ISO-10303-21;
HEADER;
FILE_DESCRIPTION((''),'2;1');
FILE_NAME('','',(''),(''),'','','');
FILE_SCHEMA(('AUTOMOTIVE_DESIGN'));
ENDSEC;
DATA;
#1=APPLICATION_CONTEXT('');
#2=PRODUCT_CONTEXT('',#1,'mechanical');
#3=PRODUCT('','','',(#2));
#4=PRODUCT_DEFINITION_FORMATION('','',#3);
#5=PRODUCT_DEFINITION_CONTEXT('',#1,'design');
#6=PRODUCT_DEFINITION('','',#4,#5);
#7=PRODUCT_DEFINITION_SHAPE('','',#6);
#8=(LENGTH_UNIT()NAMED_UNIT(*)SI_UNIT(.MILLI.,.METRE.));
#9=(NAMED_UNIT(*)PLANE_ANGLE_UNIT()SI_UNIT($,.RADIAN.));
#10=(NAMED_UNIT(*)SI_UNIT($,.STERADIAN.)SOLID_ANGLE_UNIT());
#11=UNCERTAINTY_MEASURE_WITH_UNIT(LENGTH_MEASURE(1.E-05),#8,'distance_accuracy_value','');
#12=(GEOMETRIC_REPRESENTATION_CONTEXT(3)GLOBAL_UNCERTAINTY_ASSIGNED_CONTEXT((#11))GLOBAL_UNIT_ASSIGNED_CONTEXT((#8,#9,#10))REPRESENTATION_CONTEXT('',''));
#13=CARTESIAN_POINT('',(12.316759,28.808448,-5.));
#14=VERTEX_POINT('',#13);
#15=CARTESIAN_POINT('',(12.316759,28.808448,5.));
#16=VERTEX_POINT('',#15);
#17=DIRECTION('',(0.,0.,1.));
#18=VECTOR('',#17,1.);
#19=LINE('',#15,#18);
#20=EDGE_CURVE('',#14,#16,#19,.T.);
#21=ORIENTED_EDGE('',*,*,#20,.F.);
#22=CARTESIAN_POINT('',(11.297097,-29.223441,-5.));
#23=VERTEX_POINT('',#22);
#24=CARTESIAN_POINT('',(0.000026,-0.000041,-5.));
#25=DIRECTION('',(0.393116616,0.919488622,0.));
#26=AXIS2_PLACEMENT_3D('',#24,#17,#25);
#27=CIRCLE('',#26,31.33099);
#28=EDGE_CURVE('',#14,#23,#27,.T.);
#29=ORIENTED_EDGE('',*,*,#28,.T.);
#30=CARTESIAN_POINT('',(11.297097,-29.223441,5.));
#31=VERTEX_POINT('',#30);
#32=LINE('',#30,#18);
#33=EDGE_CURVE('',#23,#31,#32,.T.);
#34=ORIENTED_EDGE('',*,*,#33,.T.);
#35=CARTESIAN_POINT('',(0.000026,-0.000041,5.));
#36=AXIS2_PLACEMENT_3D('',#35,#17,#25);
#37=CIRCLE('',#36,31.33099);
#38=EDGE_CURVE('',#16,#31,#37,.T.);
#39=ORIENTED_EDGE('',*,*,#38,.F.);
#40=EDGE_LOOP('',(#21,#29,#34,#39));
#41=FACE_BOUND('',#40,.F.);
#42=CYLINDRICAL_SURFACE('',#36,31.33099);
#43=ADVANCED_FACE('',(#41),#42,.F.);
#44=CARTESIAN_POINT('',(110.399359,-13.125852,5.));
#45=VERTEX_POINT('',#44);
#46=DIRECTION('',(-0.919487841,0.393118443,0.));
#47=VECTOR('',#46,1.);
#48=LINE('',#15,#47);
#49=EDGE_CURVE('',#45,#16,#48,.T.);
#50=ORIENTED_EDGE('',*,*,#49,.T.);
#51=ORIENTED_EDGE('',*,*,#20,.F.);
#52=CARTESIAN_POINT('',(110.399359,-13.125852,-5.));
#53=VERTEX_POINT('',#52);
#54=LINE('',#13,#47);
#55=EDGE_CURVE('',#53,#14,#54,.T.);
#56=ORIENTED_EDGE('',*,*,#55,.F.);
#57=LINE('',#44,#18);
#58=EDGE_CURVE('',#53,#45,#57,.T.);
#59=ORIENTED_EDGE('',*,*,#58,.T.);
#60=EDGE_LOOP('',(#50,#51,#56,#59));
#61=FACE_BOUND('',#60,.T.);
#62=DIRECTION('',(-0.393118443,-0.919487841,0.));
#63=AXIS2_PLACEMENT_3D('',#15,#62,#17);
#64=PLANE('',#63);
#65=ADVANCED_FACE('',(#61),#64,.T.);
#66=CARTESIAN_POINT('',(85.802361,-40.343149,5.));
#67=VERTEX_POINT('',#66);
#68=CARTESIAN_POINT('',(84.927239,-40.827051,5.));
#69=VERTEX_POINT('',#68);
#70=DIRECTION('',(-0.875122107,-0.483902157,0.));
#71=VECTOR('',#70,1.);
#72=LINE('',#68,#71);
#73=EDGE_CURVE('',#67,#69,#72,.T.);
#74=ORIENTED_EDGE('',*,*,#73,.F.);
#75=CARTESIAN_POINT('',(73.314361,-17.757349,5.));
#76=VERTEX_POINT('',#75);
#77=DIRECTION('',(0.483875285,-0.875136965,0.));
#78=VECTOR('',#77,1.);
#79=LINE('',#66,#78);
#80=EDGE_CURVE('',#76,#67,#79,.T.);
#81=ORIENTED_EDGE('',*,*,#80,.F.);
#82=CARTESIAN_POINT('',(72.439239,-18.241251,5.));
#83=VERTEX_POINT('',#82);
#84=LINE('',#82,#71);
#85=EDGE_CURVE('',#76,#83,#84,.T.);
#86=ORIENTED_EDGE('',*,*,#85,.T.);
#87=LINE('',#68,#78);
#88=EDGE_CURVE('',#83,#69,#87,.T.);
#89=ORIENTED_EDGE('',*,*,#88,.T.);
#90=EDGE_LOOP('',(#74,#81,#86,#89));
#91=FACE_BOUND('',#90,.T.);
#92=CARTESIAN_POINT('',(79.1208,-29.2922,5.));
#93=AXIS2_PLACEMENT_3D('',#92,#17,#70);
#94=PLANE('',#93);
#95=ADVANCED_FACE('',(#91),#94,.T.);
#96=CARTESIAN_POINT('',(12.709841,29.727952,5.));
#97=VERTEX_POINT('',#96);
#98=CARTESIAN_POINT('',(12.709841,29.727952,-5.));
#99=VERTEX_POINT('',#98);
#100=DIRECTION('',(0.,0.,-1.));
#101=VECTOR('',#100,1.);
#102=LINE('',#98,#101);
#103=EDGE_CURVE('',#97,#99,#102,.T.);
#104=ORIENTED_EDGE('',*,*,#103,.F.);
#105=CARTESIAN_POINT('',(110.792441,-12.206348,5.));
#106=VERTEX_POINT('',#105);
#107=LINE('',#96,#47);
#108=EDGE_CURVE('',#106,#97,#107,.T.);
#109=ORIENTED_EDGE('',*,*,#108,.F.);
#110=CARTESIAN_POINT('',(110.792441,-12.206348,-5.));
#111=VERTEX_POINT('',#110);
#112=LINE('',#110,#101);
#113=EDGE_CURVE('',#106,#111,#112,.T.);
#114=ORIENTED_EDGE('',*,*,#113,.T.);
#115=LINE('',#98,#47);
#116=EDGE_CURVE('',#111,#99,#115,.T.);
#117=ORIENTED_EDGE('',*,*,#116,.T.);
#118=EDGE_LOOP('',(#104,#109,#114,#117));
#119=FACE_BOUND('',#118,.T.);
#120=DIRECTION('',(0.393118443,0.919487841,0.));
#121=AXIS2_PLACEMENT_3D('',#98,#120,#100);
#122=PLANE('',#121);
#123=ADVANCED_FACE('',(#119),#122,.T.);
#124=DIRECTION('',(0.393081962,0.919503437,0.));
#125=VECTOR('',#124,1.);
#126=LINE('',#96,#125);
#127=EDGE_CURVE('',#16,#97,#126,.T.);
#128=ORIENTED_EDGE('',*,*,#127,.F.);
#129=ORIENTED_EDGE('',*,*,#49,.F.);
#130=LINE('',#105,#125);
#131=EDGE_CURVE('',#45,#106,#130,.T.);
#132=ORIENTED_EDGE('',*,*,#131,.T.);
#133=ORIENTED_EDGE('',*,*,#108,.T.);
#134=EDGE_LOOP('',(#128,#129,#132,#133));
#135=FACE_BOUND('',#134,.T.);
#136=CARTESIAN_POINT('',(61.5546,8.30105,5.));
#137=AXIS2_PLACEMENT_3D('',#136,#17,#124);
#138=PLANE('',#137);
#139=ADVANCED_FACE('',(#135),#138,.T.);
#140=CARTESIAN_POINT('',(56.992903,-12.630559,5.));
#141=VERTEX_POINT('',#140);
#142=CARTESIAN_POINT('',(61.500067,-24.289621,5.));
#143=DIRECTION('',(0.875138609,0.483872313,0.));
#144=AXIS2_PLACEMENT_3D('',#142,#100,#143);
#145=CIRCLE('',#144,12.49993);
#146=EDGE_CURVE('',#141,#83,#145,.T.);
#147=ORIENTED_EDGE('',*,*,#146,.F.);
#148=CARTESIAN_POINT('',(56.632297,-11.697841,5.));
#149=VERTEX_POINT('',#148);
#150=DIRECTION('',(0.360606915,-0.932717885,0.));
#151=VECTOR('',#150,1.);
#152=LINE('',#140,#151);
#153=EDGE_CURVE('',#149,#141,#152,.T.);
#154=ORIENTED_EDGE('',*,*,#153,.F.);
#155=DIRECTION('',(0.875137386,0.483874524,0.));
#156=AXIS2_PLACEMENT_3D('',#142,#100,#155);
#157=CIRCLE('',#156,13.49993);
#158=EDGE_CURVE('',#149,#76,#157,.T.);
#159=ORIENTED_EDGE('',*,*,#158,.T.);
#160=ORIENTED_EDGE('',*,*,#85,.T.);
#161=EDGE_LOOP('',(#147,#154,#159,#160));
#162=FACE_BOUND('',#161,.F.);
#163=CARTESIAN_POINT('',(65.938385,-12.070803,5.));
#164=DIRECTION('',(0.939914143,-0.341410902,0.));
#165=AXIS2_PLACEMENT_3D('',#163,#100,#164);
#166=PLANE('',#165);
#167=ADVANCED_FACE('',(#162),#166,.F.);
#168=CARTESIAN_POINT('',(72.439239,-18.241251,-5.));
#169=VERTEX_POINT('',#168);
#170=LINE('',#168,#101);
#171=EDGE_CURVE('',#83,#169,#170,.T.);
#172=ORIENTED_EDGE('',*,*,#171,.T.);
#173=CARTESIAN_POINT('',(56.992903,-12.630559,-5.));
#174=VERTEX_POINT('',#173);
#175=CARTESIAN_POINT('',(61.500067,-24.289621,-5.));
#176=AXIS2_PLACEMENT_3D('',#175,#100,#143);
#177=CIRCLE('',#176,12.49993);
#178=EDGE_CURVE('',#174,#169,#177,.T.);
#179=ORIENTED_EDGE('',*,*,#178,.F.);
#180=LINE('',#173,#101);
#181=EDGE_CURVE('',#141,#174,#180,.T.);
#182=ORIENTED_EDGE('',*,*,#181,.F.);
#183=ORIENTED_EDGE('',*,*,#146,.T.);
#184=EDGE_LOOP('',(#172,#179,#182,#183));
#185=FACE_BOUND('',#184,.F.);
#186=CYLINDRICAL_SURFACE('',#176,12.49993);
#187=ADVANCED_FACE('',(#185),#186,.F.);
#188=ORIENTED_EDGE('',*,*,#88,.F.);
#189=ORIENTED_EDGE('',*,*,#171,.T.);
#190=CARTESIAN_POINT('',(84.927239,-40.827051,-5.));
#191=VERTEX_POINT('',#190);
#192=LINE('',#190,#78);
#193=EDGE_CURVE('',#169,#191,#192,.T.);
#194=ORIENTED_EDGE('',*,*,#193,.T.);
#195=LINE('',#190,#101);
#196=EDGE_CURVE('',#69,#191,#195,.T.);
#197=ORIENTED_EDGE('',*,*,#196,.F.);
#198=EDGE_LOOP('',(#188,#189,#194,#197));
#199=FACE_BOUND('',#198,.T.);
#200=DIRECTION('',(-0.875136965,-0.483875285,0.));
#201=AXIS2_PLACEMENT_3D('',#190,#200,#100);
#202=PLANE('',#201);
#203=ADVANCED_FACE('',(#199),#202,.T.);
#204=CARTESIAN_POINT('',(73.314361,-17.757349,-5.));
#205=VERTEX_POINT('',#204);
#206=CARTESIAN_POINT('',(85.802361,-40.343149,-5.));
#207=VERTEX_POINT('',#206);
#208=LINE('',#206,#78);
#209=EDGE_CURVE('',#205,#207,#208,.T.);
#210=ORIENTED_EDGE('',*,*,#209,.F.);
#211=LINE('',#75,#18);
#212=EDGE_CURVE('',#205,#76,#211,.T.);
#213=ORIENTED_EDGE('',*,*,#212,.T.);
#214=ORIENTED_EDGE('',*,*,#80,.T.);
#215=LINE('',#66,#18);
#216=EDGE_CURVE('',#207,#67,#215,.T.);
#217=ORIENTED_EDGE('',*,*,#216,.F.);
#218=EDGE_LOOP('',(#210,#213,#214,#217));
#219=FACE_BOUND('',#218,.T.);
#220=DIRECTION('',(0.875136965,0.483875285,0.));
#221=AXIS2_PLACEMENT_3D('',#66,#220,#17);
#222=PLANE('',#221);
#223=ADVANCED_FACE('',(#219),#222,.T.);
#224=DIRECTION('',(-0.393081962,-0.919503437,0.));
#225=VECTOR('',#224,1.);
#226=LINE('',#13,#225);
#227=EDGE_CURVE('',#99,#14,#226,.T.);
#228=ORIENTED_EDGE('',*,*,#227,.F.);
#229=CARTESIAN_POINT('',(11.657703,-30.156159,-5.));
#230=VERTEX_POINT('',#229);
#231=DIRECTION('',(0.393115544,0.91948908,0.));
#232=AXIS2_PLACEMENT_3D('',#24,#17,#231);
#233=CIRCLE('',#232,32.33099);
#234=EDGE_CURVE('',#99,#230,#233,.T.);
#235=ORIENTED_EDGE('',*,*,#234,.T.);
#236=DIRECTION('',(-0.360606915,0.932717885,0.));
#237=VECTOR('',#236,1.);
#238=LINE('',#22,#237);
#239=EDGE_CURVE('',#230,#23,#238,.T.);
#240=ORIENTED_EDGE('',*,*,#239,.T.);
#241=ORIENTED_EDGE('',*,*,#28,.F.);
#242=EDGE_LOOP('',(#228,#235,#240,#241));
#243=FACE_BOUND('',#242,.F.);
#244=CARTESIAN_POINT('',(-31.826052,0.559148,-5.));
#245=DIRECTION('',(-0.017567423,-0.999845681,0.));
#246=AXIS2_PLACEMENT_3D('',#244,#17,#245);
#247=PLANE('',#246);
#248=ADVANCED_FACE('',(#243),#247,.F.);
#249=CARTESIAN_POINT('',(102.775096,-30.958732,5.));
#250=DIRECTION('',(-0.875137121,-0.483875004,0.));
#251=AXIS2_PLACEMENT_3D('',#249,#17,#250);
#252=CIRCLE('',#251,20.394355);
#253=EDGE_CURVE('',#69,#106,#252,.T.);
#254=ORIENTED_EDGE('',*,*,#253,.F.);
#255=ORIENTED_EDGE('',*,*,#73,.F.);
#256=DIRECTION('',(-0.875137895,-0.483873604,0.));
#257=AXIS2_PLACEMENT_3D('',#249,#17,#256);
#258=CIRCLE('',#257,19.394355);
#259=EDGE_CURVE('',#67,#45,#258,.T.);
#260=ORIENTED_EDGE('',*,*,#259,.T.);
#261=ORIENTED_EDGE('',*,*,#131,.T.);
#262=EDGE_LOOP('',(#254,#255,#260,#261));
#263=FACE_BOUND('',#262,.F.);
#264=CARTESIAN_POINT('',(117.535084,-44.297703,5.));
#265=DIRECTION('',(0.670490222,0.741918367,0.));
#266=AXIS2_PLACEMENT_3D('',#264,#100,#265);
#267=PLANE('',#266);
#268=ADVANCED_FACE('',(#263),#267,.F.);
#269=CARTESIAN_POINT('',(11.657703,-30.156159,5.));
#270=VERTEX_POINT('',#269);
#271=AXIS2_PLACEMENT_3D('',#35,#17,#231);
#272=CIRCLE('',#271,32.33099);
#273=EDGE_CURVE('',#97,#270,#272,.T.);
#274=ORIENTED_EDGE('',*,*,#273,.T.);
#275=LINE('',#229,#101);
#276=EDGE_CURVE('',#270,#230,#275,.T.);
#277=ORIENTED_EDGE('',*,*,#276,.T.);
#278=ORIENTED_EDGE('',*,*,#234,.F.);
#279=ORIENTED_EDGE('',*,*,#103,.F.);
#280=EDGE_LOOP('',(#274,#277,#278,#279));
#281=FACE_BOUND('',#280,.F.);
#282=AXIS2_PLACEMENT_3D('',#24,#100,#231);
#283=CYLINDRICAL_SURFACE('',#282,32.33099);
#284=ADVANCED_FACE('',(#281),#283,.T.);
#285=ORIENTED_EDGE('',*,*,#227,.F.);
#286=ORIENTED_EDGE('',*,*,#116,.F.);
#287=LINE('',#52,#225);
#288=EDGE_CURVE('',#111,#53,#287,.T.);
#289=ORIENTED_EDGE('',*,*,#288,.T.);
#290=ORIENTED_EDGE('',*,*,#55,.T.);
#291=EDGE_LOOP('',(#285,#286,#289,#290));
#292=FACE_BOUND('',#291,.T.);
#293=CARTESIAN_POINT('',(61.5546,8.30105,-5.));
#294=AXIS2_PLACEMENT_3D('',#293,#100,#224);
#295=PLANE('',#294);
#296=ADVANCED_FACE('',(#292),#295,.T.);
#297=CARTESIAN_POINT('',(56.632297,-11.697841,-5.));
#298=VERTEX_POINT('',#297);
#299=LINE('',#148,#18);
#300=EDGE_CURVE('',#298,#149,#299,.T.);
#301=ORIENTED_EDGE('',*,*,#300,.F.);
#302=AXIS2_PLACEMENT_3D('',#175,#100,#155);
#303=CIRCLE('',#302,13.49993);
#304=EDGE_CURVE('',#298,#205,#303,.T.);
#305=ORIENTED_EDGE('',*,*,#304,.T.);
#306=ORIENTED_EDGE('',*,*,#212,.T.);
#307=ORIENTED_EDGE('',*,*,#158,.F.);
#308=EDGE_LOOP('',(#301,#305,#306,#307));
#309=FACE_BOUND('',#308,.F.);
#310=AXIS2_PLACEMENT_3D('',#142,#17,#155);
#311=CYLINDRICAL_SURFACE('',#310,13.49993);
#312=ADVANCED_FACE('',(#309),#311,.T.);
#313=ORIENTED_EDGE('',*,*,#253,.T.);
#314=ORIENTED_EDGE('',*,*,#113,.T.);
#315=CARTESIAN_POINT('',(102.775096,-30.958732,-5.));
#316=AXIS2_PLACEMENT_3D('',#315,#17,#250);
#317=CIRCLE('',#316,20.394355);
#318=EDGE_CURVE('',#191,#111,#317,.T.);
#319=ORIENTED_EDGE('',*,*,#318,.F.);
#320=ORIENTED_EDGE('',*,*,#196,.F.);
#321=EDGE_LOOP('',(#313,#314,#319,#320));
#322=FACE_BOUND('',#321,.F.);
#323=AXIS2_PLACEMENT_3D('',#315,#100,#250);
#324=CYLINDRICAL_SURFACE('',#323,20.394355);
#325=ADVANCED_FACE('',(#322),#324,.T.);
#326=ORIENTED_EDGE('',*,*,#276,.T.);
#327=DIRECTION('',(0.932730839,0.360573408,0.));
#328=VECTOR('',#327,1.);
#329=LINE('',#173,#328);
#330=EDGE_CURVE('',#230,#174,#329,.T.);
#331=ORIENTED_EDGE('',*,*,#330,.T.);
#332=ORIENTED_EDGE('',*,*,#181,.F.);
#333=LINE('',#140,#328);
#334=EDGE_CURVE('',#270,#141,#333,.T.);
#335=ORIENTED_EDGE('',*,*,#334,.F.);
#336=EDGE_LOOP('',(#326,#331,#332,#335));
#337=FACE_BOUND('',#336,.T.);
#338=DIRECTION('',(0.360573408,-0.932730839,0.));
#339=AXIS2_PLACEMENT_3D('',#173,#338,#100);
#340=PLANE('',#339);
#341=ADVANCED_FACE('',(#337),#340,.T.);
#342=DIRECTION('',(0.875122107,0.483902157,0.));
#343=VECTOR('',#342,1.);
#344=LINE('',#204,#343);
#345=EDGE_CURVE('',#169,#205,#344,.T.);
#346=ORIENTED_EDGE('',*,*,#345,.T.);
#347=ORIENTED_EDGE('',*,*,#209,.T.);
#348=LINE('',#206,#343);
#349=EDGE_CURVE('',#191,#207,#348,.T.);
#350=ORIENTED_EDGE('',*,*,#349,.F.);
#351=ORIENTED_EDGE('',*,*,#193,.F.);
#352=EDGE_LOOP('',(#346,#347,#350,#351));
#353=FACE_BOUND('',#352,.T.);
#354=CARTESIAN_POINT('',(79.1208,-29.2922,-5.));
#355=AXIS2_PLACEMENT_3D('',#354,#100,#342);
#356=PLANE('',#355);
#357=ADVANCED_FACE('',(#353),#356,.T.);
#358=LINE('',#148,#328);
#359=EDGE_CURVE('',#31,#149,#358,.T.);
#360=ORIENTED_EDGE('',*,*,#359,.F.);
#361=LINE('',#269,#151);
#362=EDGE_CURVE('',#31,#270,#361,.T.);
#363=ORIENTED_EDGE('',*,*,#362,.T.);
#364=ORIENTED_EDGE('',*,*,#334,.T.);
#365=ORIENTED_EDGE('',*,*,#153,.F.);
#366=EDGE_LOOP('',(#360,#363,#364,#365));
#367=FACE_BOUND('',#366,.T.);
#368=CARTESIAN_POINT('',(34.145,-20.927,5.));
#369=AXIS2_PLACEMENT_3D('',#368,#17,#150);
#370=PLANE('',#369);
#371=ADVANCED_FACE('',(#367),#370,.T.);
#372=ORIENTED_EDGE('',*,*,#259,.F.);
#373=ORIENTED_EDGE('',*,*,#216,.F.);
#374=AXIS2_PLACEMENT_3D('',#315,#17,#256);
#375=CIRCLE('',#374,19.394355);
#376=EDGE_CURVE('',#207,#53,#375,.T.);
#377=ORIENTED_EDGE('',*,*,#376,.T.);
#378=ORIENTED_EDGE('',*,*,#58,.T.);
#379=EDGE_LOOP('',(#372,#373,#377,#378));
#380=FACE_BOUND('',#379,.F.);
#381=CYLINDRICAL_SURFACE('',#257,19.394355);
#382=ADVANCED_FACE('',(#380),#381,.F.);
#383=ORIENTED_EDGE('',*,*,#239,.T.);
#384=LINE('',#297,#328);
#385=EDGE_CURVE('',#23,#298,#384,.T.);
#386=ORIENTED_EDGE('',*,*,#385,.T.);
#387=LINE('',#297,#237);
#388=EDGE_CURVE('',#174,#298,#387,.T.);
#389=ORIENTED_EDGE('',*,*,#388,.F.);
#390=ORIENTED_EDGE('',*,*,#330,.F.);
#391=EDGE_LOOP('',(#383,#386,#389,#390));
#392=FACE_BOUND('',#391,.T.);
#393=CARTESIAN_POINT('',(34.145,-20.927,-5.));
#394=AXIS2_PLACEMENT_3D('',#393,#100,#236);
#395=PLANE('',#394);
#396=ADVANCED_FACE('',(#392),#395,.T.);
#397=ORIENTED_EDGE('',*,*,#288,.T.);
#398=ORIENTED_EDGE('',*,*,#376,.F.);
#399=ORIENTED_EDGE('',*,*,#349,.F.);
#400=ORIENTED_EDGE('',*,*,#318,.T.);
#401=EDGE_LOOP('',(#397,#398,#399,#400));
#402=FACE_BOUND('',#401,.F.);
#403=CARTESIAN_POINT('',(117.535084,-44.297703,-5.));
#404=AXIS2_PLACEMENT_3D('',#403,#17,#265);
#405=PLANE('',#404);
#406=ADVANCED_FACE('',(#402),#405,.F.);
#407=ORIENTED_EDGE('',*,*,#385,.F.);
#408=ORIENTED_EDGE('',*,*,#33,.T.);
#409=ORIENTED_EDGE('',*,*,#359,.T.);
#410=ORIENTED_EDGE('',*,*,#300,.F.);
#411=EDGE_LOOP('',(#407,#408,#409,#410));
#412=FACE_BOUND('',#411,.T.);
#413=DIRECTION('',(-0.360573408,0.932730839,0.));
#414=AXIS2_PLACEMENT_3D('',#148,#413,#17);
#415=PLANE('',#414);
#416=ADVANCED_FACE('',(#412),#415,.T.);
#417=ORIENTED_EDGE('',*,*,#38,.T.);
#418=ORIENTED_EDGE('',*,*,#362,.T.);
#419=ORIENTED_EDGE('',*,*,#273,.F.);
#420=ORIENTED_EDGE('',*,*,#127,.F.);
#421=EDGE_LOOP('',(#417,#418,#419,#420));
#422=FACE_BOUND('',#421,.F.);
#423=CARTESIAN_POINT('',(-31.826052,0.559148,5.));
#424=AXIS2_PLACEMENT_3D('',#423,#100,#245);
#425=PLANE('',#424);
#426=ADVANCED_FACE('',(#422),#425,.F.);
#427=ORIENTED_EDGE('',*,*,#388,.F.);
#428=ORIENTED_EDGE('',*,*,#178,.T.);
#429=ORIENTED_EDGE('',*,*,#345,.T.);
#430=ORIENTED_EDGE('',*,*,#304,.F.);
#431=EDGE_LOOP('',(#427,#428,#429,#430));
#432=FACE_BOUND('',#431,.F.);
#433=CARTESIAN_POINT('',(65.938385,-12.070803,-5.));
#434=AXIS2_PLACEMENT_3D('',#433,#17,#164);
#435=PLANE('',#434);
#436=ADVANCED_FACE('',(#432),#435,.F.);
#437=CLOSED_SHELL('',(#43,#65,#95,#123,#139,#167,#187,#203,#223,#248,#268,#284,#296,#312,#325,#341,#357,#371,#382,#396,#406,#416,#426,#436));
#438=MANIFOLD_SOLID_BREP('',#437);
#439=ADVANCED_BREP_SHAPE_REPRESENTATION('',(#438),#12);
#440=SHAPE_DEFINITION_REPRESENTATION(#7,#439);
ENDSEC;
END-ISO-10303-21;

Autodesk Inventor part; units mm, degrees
sketch "Ścieżka szkicu" plane through (0, 0, 0) normal (0, 0, 1) x (1, 0, 0)
  arc A0 (12.5133, 29.2682) -> (11.4774, -29.6898) centre (0, 0) ccw
  arc A1 (85.3648, -40.5851) -> (110.5959, -12.6661) centre (102.7751, -30.9587) ccw
  arc A2 (72.8768, -17.9993) -> (56.8126, -12.1642) centre (61.5, -24.2897) ccw
  line L0 (56.8126, -12.1642) -> (11.4774, -29.6898)
  line L1 (12.5133, 29.2682) -> (110.5959, -12.6661)
  line L2 (85.3648, -40.5851) -> (72.8768, -17.9993)
ref_plane "Płaszczyzna przekroju poprzecznego" through (11.4774, -29.6898, 0) normal (0.9327, 0.3606, 0) x (0, 0, 1)
ref_plane "Płaszczyzna konstrukcyjna2" through (0, 0, 0) normal (-1, 0, 0) x (0, 0, 1)
ref_plane "Płaszczyzna konstrukcyjna3" through (102.7751, -30.9587, 0) normal (-0.91, 0.4147, 0) x (0, 0, 1)
sketch "Przekrój poprzeczny" plane through (11.4774, -29.6898, 0) normal (0.9327, 0.3606, 0) x (0, 0, 1)
  line L0 (-5, 0.5) -> (5, 0.5)
  line L1 (5, 0.5) -> (5, -0.5)
  line L2 (5, -0.5) -> (-5, -0.5)
  line L3 (-5, -0.5) -> (-5, 0.5)
  line L4 (-5, 0) -> (5, 0) construction
  point P0 (0, 0)
  point P1 (0, 0)
  dimension "d0" = 10
  dimension "d4" = 0.5
  dimension "d5" = 0.5
sweep "Pas" add profiles "Przekrój poprzeczny" path "Ścieżka szkicu"
equation "\"d0\" = da_B"
equation "\"d4\" = da_a"
equation "\"d5\" = da_a2"
equation "\"da_B\" = 10"
equation "\"da_pb\" = 5"
equation "\"da_a\" = 0.5"
equation "\"da_S\" = 2.65"
equation "\"da_Beta\" = 20deg"
equation "\"da_Ht\" = 1.2"
equation "\"da_H\" = 2.2"
equation "\"da_a2\" = 0.5"
properties part number "Pas synchroniczny" material "Rubber"
